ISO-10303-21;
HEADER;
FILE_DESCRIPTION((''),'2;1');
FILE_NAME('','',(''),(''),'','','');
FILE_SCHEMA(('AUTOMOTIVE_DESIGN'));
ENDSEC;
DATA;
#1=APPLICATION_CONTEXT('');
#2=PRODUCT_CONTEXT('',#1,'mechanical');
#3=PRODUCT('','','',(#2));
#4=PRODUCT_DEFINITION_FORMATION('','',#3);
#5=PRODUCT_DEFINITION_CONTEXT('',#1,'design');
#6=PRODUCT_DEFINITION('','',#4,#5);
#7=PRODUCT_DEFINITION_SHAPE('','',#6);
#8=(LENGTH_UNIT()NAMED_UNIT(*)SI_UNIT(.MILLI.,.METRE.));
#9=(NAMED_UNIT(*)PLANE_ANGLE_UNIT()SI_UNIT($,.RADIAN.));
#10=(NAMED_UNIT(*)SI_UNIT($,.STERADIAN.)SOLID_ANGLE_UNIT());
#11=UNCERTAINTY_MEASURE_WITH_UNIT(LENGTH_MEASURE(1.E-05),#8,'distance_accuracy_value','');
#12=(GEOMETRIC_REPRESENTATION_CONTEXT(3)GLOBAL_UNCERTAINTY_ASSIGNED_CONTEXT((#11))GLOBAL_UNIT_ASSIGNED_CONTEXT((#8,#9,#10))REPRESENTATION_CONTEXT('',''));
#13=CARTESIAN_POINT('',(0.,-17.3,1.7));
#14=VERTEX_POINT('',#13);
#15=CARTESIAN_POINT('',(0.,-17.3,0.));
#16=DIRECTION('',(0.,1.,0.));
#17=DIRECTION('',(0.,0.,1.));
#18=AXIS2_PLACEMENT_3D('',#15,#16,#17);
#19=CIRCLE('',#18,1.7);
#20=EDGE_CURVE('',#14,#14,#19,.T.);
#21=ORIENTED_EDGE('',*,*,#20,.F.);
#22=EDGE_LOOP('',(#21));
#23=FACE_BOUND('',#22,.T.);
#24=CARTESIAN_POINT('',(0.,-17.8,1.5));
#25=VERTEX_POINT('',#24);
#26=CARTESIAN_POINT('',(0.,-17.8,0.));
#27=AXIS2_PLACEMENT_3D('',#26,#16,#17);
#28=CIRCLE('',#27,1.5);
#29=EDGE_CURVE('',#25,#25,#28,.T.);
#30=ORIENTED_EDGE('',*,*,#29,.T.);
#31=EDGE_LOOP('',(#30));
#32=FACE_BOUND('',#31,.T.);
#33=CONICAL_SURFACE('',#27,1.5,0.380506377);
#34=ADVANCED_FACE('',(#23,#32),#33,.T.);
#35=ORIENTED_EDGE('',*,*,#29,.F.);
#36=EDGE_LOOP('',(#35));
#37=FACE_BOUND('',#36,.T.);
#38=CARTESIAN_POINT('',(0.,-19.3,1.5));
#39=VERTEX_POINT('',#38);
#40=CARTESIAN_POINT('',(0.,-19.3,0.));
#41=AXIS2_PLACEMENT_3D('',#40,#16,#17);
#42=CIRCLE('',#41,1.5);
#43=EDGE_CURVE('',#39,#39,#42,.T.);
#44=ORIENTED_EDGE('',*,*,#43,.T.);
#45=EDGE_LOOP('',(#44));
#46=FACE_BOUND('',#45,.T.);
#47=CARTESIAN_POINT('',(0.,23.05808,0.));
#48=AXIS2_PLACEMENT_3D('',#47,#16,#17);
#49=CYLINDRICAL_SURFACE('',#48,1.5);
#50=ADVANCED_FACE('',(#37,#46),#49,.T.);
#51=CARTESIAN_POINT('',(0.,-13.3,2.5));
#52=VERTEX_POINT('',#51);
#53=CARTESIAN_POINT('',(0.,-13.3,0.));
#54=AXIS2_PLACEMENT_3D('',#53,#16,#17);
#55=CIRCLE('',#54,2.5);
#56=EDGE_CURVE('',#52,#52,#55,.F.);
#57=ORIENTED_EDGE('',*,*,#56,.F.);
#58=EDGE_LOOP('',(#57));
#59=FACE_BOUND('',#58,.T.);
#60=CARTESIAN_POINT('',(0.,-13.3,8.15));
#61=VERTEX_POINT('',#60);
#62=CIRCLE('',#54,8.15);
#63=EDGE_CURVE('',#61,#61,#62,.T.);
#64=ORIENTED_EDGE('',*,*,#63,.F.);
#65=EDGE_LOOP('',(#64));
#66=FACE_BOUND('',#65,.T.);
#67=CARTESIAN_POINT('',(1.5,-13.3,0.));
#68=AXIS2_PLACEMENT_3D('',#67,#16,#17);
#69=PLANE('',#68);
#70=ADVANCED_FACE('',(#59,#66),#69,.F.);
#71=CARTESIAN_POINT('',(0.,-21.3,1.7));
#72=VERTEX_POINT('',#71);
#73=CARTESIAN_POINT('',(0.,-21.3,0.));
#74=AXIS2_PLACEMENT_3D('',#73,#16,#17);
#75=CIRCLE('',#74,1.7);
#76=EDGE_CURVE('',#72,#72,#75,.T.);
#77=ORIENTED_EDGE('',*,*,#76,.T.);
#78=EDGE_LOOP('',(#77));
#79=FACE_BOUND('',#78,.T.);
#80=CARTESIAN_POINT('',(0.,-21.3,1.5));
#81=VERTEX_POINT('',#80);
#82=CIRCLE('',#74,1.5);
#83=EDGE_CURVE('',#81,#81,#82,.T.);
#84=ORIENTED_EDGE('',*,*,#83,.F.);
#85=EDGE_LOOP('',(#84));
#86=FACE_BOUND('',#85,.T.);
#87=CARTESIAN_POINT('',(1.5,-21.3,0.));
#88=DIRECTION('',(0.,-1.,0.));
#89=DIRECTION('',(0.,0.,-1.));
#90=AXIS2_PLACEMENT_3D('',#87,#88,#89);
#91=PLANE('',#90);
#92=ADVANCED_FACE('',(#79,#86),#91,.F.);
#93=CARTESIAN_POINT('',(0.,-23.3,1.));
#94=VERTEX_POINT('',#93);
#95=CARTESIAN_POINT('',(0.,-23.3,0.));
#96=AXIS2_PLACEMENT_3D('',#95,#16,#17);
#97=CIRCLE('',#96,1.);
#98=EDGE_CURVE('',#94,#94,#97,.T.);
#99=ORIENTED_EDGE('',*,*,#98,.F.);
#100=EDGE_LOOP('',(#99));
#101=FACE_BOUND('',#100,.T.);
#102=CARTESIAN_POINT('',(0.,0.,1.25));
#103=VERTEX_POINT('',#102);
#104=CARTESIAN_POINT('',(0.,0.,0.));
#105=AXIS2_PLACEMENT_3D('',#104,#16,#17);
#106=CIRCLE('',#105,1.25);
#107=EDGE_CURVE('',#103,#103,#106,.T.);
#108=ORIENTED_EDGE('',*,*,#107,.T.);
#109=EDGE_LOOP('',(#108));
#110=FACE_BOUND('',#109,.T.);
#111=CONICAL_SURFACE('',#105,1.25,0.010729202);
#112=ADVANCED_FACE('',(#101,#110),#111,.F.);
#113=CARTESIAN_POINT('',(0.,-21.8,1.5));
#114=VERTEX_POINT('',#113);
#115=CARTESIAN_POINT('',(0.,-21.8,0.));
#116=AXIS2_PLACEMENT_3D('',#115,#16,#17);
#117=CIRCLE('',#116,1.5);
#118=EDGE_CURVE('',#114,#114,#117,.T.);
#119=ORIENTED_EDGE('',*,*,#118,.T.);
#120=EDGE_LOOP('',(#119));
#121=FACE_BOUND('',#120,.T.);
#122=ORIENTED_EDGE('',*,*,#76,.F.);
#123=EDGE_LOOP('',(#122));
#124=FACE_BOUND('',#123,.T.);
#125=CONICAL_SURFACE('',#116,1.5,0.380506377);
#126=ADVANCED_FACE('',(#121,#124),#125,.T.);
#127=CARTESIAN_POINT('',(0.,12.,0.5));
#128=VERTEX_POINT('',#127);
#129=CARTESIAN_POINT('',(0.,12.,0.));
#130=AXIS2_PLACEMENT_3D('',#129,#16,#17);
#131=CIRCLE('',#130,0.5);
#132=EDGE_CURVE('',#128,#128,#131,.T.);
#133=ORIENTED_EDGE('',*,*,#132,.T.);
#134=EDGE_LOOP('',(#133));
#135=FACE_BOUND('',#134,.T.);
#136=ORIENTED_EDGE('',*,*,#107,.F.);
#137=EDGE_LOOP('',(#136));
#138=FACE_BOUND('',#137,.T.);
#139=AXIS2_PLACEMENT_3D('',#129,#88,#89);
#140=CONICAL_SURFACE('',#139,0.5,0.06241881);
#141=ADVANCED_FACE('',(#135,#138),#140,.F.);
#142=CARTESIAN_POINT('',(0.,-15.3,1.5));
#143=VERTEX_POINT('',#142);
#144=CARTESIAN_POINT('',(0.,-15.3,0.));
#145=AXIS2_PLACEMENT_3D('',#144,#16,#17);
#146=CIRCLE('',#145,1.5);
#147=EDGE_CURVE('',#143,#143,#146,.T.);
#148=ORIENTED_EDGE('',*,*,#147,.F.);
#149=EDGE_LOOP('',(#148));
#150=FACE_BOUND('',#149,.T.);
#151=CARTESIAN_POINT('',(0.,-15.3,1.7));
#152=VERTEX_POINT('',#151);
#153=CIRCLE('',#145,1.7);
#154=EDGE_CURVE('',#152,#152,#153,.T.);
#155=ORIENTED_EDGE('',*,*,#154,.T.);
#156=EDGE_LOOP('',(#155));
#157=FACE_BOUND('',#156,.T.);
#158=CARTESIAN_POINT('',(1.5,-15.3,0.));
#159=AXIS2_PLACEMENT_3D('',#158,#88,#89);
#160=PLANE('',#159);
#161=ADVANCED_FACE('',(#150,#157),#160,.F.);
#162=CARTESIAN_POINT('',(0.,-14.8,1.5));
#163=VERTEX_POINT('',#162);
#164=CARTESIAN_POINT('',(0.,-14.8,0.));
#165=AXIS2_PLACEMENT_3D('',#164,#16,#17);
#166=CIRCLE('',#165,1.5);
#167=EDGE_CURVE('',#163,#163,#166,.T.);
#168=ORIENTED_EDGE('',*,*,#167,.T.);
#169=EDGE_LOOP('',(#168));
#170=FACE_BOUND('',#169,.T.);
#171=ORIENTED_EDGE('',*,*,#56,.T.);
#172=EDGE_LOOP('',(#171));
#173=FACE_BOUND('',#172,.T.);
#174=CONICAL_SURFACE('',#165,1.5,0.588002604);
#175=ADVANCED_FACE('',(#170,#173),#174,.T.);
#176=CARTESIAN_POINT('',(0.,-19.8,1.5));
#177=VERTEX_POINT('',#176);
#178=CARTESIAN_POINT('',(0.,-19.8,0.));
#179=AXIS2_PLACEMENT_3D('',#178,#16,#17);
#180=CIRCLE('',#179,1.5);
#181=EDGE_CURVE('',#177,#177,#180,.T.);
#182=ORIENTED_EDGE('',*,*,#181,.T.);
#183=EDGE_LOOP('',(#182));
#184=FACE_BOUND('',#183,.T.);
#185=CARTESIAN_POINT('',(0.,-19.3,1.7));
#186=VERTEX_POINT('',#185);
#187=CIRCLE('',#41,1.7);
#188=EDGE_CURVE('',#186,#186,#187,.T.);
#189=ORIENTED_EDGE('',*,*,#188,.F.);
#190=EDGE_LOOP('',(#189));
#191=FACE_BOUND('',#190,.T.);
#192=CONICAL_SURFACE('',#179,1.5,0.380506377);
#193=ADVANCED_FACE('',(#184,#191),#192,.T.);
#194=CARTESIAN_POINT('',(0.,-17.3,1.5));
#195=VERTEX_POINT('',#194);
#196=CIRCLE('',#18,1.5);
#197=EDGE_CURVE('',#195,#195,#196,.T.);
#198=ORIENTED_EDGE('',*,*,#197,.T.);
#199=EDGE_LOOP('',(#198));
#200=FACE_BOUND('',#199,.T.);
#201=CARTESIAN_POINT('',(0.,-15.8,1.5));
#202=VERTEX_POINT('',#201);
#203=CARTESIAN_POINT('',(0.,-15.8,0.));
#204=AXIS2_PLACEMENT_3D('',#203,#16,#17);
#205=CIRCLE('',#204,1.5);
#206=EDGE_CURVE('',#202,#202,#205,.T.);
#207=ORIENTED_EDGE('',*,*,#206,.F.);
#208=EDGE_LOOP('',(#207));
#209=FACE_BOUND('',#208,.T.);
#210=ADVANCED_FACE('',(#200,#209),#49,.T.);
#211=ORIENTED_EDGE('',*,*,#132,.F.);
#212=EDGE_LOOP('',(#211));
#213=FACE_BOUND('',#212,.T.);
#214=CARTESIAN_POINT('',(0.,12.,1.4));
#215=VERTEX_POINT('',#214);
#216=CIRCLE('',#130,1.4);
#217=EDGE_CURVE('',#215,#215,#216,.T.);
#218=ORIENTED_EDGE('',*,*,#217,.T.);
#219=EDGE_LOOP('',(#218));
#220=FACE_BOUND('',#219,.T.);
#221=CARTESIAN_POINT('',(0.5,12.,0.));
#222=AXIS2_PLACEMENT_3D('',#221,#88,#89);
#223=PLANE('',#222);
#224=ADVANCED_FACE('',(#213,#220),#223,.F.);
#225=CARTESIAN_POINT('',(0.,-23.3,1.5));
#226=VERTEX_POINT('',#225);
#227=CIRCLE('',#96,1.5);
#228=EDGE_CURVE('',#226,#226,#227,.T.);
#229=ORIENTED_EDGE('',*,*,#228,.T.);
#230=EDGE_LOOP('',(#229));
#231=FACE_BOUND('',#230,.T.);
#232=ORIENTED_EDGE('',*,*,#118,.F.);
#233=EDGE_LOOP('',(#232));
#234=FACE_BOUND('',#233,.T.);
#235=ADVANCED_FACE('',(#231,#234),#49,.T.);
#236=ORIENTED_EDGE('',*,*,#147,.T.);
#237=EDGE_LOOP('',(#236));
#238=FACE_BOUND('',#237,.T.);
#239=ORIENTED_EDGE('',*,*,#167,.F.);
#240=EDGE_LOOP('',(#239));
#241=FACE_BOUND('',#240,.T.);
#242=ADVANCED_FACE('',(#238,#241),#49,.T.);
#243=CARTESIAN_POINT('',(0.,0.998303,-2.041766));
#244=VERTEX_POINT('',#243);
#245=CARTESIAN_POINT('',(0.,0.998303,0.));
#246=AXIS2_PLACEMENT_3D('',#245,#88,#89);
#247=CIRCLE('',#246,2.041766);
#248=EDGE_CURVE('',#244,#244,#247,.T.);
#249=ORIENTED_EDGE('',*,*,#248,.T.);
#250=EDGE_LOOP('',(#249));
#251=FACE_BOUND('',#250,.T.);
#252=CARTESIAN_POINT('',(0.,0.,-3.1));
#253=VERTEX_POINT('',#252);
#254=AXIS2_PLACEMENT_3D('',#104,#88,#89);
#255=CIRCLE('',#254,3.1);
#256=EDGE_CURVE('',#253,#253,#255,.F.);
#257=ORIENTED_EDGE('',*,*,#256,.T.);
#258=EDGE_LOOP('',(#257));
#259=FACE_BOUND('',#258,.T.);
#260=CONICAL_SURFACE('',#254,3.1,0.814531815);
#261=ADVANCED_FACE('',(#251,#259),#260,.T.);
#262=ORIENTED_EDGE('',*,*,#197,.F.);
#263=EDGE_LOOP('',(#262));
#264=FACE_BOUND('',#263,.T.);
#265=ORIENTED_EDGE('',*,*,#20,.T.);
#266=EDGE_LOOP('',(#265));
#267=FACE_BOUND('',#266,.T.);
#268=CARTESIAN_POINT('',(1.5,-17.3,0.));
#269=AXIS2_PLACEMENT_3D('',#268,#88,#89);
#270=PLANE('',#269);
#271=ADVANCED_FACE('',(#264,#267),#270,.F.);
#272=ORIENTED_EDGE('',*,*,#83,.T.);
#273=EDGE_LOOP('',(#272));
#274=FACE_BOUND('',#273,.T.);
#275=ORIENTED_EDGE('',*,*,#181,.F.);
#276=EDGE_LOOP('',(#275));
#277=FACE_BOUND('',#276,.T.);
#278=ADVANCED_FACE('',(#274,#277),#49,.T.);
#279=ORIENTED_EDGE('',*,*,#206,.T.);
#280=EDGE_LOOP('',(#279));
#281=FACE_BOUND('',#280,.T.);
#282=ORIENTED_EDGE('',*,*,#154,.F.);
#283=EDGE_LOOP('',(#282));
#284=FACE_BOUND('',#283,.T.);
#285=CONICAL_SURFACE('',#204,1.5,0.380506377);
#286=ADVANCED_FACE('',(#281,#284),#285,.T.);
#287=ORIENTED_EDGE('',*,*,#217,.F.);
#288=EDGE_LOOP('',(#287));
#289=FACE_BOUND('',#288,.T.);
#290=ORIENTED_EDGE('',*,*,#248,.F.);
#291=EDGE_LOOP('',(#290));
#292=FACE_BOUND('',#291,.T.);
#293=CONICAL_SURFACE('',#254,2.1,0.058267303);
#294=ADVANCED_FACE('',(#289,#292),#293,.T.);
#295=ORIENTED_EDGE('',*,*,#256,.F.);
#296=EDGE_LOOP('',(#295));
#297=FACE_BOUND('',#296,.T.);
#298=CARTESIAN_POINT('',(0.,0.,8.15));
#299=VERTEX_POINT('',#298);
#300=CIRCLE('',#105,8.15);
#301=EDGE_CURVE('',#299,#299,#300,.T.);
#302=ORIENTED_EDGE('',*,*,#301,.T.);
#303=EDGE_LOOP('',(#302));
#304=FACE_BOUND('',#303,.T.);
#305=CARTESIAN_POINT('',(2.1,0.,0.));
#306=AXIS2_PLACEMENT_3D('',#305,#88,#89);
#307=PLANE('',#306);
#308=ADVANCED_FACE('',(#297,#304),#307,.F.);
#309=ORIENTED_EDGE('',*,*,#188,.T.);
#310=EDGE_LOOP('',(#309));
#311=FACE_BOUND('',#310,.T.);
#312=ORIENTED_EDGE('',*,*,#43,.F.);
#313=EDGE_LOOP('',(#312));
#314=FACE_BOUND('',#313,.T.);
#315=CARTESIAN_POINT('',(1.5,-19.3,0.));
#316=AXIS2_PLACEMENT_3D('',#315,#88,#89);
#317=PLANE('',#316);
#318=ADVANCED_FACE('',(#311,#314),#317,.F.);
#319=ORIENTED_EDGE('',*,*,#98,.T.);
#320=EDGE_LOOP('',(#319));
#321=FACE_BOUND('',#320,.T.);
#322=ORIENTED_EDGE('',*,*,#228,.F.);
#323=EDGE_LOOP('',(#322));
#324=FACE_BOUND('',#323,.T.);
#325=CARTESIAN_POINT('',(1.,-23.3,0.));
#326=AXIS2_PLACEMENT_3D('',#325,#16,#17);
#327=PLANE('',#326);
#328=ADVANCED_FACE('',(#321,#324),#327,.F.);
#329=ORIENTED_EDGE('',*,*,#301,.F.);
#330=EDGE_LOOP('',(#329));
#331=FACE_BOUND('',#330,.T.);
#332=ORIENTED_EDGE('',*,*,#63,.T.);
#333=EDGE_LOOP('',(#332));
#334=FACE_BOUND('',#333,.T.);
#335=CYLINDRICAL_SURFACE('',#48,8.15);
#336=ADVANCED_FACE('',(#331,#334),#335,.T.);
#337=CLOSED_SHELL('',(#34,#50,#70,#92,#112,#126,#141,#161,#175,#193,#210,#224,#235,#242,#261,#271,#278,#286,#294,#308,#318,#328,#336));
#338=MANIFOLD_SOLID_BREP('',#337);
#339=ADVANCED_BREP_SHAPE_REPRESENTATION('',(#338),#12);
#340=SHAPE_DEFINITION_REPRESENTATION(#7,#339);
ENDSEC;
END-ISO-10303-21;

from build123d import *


with BuildPart() as part:
    # Esboço1 → Revolução1 (revolve)
    with BuildSketch(Plane.XY, mode=Mode.PRIVATE) as revolu_o1_sk:
        Polygon((2.1, 0), (8.15, 0), (8.15, -13.3), (1.5, -13.3), (1.5, -15.3), (1.7, -15.3), (1.5, -15.8), (1.5, -17.3), (1.7, -17.3), (1.5, -17.8), (1.5, -19.3), (1.7, -19.3), (1.5, -19.8), (1.5, -21.3), (1.7, -21.3), (1.5, -21.8), (1.5, -23.3), (1, -23.3), (1.25, 0), (0.5, 12), (1.4, 12), align=None)
    revolve(revolu_o1_sk.sketch.rotate(Axis((0, 23.058079528, 0), (0, -1, 0)), 90), axis=Axis((0, 23.058079528, 0), (0, -1, 0)))

    # Esboço2 → Revolução2 (revolve)
    with BuildSketch(Plane.XY, mode=Mode.PRIVATE) as revolu_o2_sk:
        Polygon((1.5, -14.8), (2.5, -13.3), (1.5, -13.3), align=None)
        Polygon((2.1, 0), (2.041765662, 0.998302941), (3.1, 0), align=None)
    revolve(revolu_o2_sk.sketch.rotate(Axis((0, 0.658037097, 0), (0, -1, 0)), 270), axis=Axis((0, 0.658037097, 0), (0, -1, 0)))


solid = part.part
